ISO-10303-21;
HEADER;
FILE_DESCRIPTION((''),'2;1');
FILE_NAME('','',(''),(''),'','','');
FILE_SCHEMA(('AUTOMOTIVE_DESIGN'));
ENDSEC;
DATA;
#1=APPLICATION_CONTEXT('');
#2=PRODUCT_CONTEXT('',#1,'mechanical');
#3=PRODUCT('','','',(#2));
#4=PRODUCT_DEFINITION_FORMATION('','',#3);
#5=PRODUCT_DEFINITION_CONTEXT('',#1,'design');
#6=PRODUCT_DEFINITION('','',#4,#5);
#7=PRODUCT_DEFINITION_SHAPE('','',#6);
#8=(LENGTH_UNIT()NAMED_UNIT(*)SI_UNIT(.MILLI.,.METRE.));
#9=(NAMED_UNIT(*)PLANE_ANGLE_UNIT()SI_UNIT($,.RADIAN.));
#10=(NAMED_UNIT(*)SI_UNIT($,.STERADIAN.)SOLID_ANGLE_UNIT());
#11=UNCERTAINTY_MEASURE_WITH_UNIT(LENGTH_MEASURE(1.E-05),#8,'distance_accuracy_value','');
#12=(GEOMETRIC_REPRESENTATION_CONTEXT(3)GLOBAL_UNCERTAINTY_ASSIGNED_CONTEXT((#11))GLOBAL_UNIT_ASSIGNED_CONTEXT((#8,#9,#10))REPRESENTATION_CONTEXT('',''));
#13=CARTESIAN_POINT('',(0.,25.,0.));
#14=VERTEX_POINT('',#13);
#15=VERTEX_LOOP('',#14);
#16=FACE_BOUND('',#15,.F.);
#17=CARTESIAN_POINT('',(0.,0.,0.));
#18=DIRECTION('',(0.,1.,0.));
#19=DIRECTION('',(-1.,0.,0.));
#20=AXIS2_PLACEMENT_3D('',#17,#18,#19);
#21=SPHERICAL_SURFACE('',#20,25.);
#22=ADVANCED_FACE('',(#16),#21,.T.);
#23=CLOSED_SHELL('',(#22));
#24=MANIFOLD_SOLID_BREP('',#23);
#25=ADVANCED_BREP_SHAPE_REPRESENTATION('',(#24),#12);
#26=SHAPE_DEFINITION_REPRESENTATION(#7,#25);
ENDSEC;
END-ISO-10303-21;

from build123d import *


with BuildPart() as part:
    # 草图1 → 旋转1 (revolve)
    with BuildSketch(Plane.XY):
        with BuildLine():
            Line((0, 25), (0, -25))
            ThreePointArc((0, -25), (-25, 0), (0, 25))
        make_face()
    revolve(axis=Axis((0, 25, 0), (0, -1, 0)))


solid = part.part
